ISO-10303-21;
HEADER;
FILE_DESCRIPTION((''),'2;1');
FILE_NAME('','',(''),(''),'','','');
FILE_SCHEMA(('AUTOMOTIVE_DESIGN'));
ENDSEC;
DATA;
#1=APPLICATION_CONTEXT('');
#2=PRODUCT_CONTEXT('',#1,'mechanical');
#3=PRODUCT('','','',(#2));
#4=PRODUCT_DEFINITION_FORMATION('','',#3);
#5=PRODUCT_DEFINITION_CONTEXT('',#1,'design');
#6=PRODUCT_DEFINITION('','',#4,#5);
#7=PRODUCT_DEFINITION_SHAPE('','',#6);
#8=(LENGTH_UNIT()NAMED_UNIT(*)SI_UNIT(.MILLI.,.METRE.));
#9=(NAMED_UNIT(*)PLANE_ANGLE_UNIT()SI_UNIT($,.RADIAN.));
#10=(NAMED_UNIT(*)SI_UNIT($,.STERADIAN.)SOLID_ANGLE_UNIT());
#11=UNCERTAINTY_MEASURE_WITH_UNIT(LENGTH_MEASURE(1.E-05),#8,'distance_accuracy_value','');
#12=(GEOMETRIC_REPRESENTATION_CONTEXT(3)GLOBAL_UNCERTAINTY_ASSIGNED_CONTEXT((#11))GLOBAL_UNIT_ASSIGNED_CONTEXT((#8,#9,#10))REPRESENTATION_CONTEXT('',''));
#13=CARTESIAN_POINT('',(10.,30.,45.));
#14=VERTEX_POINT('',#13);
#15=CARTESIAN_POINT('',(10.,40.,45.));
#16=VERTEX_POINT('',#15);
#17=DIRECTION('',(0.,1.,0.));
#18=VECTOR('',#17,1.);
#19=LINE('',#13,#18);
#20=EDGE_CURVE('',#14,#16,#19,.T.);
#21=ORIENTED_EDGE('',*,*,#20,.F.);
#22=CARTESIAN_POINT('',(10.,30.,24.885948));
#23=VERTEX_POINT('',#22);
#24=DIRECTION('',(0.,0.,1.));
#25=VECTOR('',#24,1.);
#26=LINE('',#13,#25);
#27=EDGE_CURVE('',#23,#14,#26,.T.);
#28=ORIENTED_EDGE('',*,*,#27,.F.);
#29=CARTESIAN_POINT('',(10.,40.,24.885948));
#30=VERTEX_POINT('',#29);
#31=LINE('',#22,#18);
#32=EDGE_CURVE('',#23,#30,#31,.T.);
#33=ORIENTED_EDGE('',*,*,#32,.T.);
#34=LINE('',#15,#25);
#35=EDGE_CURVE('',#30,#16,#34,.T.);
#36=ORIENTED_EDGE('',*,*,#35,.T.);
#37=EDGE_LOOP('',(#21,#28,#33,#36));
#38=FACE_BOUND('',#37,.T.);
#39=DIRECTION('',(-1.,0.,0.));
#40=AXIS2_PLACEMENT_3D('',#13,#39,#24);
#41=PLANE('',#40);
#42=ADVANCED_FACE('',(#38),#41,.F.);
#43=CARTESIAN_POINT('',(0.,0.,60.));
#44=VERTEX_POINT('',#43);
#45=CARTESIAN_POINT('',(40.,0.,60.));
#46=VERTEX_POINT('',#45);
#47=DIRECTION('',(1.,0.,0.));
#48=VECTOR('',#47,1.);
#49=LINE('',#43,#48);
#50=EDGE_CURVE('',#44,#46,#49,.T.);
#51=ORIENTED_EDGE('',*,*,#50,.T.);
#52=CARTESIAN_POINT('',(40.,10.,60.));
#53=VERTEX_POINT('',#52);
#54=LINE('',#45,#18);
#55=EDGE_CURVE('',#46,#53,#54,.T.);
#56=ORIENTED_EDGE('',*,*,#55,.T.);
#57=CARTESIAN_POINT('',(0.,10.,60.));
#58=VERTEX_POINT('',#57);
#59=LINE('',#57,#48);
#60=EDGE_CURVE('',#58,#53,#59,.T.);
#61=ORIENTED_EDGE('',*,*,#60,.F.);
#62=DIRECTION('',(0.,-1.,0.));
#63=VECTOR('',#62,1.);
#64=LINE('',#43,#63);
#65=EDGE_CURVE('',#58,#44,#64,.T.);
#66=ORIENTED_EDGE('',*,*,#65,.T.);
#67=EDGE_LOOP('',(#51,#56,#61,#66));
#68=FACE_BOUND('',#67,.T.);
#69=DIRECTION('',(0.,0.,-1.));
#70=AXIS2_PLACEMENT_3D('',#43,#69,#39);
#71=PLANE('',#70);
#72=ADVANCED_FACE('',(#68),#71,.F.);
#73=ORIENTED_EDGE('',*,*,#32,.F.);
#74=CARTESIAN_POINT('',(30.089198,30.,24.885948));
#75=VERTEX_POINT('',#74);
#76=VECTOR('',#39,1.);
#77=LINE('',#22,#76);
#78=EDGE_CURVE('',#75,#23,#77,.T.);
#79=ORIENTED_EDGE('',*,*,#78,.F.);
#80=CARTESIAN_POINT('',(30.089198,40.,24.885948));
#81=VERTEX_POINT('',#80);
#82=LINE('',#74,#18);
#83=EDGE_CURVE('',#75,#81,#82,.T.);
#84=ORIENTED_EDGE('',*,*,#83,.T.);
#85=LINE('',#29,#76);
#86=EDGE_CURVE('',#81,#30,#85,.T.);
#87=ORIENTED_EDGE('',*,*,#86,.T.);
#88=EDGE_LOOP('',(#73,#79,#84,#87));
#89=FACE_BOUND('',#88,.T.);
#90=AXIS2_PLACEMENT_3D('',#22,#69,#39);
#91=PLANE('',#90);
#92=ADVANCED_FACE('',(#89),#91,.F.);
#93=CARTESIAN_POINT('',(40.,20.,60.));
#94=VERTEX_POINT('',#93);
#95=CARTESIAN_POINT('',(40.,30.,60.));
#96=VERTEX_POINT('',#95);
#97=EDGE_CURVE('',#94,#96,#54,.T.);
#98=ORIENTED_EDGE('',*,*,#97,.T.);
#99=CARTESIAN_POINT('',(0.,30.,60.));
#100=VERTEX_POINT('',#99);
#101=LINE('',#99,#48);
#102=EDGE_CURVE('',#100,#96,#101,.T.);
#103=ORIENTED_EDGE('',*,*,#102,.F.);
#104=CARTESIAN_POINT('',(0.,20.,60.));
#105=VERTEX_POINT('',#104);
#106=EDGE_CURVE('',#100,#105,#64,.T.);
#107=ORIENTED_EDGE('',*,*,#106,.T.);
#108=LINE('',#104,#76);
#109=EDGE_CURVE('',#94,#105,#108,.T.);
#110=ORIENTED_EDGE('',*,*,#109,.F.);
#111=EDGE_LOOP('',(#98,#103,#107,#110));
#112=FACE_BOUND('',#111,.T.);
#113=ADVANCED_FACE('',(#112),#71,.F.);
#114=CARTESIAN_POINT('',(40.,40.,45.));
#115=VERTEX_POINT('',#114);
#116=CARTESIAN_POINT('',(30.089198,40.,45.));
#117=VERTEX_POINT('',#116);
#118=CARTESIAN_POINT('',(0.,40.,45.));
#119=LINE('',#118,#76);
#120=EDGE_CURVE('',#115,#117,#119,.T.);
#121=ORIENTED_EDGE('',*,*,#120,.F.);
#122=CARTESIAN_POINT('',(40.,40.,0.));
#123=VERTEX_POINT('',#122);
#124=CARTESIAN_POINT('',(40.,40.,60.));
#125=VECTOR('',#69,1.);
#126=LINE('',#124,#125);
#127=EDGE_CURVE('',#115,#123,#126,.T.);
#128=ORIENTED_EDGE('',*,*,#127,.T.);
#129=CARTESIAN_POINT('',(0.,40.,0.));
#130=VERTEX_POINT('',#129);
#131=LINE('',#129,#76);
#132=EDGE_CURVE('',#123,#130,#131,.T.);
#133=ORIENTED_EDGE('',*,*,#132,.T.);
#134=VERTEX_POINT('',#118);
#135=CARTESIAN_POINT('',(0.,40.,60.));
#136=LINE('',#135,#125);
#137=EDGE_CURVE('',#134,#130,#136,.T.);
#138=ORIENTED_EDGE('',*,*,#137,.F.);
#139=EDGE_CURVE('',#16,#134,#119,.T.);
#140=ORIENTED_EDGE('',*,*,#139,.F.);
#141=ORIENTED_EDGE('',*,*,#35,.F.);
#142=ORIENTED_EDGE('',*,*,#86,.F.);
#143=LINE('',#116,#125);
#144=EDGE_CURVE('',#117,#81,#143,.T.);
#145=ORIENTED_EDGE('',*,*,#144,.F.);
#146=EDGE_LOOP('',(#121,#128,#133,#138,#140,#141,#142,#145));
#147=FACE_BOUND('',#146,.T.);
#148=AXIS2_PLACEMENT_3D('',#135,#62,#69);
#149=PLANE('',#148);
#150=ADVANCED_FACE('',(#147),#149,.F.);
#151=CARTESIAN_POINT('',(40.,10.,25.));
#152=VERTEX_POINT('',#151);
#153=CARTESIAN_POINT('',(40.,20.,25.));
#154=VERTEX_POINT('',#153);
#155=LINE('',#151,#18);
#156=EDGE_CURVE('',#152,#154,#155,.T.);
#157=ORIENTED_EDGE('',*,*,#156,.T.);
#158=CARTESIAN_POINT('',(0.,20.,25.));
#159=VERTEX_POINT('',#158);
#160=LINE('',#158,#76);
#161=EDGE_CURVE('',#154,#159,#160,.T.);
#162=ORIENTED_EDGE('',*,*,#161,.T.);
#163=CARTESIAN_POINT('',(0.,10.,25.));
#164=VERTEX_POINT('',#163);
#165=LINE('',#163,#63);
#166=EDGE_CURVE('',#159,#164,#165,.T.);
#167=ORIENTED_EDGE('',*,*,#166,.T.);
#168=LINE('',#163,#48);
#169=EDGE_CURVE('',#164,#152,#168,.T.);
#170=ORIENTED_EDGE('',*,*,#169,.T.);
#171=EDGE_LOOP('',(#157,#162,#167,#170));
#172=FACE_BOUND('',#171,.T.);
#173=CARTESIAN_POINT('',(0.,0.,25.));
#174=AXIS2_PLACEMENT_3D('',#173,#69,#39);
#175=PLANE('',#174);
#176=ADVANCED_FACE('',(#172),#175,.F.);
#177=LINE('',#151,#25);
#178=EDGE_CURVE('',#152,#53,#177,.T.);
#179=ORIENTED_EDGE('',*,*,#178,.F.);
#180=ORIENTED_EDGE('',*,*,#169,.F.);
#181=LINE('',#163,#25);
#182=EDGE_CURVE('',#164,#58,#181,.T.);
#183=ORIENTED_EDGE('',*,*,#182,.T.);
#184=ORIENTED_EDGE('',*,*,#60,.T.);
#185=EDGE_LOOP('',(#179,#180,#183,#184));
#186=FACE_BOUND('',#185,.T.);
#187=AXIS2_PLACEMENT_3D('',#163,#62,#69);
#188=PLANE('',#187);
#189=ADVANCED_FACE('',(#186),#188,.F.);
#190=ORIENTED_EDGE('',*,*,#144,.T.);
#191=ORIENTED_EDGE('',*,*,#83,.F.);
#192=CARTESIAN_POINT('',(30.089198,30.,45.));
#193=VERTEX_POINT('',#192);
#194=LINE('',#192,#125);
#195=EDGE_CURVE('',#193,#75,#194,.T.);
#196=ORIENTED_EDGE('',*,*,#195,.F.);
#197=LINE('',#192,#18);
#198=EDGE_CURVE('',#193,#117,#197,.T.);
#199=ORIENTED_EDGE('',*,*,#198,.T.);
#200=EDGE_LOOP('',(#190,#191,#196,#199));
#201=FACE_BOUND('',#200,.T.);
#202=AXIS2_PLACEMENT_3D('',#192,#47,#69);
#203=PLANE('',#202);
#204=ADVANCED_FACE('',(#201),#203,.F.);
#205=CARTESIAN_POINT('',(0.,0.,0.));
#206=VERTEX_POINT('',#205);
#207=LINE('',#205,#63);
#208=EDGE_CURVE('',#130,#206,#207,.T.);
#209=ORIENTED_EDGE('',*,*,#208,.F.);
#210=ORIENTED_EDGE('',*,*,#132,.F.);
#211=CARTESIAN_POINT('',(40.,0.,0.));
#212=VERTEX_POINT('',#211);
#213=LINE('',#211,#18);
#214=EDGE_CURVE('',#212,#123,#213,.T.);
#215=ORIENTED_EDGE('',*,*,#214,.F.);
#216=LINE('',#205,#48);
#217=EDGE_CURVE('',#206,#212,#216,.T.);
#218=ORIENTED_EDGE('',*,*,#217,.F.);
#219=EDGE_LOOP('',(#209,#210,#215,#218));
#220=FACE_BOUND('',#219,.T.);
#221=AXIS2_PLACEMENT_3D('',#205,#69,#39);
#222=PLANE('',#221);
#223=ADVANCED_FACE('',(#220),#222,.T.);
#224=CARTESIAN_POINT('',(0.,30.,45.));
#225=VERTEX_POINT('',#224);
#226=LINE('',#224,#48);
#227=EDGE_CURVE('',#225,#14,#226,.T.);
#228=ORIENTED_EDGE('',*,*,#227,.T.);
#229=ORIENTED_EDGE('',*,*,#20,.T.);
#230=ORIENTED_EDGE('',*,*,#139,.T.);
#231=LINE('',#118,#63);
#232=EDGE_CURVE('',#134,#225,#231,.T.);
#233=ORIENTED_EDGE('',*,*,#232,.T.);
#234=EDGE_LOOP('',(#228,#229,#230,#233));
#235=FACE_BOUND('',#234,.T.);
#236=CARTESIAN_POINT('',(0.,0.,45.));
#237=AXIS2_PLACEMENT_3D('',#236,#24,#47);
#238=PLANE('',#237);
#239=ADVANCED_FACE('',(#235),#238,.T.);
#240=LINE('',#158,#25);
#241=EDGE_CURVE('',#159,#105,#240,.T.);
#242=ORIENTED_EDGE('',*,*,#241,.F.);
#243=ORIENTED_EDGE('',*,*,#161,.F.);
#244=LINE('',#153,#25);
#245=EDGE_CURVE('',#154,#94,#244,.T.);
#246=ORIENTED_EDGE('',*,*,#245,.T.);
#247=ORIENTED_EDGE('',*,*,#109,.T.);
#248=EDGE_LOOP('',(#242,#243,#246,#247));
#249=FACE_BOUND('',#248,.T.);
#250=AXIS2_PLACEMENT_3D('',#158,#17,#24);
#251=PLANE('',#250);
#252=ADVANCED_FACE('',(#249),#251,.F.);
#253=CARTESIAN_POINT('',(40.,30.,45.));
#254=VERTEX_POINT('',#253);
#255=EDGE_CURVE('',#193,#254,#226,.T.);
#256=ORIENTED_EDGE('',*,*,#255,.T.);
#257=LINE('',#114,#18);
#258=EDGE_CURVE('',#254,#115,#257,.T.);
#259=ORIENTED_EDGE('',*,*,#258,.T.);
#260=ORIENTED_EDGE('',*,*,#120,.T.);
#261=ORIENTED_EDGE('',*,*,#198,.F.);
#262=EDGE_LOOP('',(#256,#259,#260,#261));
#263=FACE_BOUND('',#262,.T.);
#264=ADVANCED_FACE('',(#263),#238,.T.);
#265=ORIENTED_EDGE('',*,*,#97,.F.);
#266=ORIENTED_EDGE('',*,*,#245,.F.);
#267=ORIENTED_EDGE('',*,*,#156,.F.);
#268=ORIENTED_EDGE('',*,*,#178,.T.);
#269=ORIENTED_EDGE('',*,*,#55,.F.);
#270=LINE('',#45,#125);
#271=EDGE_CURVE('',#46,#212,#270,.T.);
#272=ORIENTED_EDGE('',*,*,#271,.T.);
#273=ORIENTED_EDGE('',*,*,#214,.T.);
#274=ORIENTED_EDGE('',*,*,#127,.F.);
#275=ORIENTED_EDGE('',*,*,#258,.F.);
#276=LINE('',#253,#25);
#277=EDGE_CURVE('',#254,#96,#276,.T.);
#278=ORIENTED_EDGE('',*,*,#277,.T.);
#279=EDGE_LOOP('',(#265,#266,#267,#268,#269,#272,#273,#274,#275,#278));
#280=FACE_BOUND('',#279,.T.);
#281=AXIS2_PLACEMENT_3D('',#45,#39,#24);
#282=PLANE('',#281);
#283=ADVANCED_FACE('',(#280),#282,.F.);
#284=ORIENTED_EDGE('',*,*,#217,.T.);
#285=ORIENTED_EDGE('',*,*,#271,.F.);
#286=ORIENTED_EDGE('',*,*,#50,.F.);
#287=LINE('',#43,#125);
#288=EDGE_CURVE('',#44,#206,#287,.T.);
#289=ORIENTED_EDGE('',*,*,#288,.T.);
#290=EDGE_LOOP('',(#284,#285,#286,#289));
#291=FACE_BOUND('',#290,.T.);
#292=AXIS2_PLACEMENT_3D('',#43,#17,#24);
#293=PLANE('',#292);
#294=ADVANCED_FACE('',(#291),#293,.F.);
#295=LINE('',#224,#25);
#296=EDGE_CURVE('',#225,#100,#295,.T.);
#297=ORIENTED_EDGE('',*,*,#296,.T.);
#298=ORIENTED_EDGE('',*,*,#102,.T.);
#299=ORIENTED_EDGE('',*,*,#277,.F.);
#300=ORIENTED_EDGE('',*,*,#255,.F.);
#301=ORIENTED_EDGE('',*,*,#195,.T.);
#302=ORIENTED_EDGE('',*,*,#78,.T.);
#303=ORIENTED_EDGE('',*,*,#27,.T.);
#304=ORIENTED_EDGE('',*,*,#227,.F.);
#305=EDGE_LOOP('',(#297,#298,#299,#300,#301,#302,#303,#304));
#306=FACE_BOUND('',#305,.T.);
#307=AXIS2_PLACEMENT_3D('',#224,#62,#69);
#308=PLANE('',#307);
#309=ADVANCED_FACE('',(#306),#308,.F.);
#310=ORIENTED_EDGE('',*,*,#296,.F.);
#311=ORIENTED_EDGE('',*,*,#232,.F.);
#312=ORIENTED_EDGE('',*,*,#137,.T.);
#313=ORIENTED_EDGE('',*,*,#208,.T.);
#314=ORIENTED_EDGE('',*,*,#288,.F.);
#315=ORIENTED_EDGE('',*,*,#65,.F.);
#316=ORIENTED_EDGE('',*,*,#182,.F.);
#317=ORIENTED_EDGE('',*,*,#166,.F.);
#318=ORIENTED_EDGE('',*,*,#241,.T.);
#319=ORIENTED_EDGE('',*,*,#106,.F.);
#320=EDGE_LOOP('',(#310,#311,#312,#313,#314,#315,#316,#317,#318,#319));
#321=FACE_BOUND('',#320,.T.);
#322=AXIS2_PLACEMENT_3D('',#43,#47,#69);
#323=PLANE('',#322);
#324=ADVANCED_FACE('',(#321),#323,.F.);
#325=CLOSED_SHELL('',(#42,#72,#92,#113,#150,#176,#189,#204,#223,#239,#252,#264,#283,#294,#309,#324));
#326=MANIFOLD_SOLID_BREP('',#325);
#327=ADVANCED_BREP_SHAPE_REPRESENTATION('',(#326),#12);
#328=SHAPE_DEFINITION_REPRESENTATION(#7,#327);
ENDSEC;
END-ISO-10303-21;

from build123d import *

# Parameters (mm, degrees)
SKETCH1_W           = 40
SKETCH1_H           = 40
BOSS_EXTRUDE1_DEPTH = 60
SKETCH2_W           = 40
SKETCH2_H           = 10
CUT_EXTRUDE1_DEPTH  = 35
SKETCH3_W           = 40
SKETCH3_H           = 10
CUT_EXTRUDE2_DEPTH  = 15
SKETCH4_W           = 20.089198479
SKETCH4_H           = 20.114051596
CUT_EXTRUDE3_DEPTH  = 10


with BuildPart() as part:
    # Sketch1 → Boss-Extrude1 (new body)
    with BuildSketch(Plane.XY):
        with Locations((20, 20)):
            Rectangle(SKETCH1_W, SKETCH1_H)
    extrude(amount=BOSS_EXTRUDE1_DEPTH)

    # Sketch2 → Cut-Extrude1 (cut)
    with BuildSketch(Plane.XY.offset(60)):
        with Locations((20, 15)):
            Rectangle(SKETCH2_W, SKETCH2_H)
    extrude(amount=-CUT_EXTRUDE1_DEPTH, mode=Mode.SUBTRACT)

    # Sketch3 → Cut-Extrude2 (cut)
    with BuildSketch(Plane.XY.offset(60)):
        with Locations((20, 35)):
            Rectangle(SKETCH3_W, SKETCH3_H)
    extrude(amount=-CUT_EXTRUDE2_DEPTH, mode=Mode.SUBTRACT)

    # Sketch4 → Cut-Extrude3 (cut)
    with BuildSketch(Plane(origin=(0, 40, 0), x_dir=(1, 0, 0), z_dir=(0, 1, 0))):
        with Locations((20.04459924, -34.942974202)):
            Rectangle(SKETCH4_W, SKETCH4_H)
    extrude(amount=-CUT_EXTRUDE3_DEPTH, mode=Mode.SUBTRACT)


solid = part.part
